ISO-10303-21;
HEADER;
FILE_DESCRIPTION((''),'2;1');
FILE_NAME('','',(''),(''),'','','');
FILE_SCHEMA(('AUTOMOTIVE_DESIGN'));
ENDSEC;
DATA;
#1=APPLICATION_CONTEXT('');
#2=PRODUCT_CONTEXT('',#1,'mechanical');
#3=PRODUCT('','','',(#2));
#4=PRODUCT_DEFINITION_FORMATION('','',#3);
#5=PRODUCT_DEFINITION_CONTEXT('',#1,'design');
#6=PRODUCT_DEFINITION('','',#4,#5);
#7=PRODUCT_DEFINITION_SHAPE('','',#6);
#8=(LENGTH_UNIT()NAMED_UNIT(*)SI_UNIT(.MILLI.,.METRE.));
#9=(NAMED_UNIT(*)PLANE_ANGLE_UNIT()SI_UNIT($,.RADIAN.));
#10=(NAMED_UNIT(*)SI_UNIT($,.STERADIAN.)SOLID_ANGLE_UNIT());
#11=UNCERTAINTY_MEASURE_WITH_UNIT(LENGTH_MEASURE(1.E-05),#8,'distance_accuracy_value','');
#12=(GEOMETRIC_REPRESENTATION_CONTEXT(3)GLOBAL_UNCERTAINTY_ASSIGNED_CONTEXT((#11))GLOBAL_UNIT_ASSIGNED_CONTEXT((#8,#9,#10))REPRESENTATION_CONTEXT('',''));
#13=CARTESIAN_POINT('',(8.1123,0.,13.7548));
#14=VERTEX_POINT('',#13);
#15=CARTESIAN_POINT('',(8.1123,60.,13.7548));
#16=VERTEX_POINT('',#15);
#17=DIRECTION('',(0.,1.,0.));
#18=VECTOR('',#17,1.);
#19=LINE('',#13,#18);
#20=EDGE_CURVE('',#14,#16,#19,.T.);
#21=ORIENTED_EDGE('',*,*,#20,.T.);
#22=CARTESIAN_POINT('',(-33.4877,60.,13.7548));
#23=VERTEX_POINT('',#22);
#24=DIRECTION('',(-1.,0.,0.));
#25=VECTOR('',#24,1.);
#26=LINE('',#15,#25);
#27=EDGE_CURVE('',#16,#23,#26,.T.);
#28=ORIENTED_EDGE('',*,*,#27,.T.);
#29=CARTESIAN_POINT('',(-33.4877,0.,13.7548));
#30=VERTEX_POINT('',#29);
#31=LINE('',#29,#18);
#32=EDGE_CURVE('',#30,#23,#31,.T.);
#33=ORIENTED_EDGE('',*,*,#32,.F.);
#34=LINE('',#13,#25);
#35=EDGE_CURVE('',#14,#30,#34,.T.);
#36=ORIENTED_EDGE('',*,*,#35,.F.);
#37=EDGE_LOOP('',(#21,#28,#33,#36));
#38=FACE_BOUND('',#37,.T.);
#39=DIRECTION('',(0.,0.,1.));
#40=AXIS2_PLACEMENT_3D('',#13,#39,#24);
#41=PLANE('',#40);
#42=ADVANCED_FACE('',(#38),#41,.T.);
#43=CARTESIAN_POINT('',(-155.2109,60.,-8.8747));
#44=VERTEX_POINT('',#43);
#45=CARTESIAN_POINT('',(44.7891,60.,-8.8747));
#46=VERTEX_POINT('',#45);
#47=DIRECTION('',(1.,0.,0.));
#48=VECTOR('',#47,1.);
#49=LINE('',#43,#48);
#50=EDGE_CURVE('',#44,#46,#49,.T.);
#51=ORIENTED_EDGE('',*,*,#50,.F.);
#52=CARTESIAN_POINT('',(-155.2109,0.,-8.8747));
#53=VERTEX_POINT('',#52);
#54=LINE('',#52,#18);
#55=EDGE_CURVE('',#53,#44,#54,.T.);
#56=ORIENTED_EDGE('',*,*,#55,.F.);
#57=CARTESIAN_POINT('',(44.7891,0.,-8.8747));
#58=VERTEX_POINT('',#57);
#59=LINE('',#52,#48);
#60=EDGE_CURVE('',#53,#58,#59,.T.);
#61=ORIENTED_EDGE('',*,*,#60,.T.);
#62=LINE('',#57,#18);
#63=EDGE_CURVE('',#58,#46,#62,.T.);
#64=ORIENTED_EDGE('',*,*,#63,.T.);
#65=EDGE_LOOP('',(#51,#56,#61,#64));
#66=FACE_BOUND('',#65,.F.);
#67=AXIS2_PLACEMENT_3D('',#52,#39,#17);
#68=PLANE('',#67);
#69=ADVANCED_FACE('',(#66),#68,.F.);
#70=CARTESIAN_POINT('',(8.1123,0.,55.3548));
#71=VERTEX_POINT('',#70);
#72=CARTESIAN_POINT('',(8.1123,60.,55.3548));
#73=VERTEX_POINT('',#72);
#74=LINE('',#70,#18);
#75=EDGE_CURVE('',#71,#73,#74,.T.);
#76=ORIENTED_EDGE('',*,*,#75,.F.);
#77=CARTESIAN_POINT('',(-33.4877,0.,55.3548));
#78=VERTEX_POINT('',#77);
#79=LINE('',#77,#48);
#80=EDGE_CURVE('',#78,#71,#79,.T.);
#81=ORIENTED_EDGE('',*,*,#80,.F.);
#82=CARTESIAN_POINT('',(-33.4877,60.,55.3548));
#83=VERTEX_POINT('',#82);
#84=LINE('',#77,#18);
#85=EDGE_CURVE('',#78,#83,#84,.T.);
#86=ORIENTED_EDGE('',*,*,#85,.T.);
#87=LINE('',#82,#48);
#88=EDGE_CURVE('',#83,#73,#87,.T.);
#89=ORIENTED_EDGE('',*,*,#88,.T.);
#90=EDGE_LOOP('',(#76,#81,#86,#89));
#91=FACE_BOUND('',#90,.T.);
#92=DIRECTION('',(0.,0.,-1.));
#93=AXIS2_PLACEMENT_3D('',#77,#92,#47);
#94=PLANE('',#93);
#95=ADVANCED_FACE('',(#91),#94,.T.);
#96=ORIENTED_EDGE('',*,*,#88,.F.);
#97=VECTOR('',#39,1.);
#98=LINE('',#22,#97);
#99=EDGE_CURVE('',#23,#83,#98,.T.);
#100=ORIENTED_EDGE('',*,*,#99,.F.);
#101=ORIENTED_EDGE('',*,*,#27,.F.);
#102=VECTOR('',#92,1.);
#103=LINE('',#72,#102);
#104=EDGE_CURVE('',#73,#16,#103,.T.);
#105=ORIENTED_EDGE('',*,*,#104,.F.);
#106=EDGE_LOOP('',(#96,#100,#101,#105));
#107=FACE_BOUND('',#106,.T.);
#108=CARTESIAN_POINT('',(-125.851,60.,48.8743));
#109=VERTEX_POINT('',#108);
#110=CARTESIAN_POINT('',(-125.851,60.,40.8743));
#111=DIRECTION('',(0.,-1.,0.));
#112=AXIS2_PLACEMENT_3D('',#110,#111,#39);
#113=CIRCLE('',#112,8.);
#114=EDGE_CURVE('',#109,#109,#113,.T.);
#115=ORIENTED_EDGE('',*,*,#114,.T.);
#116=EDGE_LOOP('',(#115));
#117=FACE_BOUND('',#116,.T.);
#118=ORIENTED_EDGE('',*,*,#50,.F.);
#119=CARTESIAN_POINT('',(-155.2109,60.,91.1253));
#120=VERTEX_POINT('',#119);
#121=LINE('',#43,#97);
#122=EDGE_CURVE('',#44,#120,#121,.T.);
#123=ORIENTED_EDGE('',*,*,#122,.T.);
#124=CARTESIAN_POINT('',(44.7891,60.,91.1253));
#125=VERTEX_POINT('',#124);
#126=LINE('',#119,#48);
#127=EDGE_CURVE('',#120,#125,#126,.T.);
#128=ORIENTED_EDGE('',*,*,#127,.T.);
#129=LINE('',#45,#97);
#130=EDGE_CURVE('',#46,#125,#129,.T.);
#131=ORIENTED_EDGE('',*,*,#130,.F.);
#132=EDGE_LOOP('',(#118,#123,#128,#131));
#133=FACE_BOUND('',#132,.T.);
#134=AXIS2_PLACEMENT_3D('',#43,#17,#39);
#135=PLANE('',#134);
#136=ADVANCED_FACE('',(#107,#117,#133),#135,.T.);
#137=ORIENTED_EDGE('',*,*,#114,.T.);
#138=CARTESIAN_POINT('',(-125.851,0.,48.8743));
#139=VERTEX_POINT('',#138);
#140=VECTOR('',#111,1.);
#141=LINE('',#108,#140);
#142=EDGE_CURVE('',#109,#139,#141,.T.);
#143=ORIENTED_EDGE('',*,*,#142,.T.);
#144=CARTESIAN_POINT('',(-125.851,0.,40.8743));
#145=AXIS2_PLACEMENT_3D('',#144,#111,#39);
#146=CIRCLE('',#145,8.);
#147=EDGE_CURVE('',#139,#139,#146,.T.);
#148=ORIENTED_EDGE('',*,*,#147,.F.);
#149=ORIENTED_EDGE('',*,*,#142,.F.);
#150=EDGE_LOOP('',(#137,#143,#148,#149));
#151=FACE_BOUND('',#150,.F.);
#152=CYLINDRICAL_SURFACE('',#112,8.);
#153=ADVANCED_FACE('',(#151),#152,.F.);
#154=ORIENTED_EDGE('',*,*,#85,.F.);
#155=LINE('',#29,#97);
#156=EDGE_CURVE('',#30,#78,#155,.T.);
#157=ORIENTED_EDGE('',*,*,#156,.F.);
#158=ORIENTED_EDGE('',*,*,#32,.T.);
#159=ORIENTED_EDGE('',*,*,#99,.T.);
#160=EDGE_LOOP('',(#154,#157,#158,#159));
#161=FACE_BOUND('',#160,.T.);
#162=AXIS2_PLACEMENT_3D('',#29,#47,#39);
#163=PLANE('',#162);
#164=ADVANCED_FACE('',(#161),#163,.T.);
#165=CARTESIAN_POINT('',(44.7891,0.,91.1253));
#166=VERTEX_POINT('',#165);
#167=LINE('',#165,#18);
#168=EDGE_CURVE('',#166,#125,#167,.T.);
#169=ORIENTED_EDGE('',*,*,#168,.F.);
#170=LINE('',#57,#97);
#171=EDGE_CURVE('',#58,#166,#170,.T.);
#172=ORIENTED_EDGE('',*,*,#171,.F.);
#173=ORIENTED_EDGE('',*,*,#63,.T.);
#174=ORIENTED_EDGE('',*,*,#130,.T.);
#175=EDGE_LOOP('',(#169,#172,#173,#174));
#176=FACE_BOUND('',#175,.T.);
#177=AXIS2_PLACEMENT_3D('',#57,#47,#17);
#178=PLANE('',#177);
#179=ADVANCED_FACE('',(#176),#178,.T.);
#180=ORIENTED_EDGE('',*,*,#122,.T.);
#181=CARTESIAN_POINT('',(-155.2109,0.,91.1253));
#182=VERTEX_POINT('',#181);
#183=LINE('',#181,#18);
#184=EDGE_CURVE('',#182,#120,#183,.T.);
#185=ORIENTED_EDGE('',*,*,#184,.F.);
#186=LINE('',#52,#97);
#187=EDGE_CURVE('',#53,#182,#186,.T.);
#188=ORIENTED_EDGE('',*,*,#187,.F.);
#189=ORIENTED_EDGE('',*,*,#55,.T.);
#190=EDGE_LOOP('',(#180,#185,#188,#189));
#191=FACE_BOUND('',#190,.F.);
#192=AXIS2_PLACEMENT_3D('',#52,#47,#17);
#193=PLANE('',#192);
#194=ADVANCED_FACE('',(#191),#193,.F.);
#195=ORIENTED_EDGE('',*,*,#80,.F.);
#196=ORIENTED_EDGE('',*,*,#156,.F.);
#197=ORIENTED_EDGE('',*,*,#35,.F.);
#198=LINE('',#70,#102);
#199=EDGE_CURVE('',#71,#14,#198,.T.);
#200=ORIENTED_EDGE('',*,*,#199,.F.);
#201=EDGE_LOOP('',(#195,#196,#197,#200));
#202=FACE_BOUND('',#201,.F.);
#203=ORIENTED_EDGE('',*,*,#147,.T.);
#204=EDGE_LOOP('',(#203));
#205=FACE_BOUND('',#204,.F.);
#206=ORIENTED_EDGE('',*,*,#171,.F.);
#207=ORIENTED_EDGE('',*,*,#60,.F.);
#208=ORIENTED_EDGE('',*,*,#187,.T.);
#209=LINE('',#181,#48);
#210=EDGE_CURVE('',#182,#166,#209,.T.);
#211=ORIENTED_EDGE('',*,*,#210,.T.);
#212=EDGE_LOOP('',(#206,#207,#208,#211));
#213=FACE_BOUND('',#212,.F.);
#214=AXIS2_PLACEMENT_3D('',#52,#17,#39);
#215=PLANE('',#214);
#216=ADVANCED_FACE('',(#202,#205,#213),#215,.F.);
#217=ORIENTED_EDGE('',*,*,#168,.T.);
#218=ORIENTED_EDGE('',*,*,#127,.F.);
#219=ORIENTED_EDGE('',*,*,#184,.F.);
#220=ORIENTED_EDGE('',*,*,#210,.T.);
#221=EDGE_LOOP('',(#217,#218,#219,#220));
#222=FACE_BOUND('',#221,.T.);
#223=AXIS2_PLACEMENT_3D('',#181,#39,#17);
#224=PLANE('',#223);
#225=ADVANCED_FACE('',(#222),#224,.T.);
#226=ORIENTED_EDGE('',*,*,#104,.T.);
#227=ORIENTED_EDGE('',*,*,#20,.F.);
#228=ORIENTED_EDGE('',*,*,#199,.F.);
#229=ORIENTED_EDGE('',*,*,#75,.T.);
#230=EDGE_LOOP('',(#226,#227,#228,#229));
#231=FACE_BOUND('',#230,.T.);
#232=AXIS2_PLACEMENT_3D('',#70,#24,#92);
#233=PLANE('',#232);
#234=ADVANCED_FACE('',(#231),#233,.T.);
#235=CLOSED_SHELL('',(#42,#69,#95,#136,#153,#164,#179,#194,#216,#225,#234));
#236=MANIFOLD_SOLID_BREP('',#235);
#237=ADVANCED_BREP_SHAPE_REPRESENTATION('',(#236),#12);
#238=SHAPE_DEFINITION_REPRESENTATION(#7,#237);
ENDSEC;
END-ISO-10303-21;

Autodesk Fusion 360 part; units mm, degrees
box "BoxPrimitive1" add length 100 width 200 height 60 placed x (0, 0, 1) y (1, 0, 0) z (0, 1, 0) at (-155.2109, 0, -8.8747)
hole "Hole1" at (-125.851, 60, 40.8743) direction (0, -1, 0) diameter 16 depth 100 tip angle 118
sketch "Sketch7" plane through (0, 0, 0) normal (0, -1, 0) x (1, 0, 0)
  circle A0 centre (-125.851, 40.8743) radius 8
  line L0 (44.7891, 91.1253) -> (-155.2109, 91.1253)
  line L1 (-155.2109, 91.1253) -> (-155.2109, -8.8747)
  line L2 (-155.2109, -8.8747) -> (44.7891, -8.8747)
  line L3 (44.7891, -8.8747) -> (44.7891, 91.1253)
  line L4 (-33.4877, 55.3548) -> (8.1123, 55.3548)
  line L5 (8.1123, 55.3548) -> (8.1123, 13.7548)
  line L6 (8.1123, 13.7548) -> (-33.4877, 13.7548)
  line L7 (-33.4877, 13.7548) -> (-33.4877, 55.3548)
  dimension "d9" = 41.6
  dimension "d10" = 41.6
extrude "Extrude1" cut sketch "Sketch7" against normal blind 60 contours L4 L5 L6 L7
